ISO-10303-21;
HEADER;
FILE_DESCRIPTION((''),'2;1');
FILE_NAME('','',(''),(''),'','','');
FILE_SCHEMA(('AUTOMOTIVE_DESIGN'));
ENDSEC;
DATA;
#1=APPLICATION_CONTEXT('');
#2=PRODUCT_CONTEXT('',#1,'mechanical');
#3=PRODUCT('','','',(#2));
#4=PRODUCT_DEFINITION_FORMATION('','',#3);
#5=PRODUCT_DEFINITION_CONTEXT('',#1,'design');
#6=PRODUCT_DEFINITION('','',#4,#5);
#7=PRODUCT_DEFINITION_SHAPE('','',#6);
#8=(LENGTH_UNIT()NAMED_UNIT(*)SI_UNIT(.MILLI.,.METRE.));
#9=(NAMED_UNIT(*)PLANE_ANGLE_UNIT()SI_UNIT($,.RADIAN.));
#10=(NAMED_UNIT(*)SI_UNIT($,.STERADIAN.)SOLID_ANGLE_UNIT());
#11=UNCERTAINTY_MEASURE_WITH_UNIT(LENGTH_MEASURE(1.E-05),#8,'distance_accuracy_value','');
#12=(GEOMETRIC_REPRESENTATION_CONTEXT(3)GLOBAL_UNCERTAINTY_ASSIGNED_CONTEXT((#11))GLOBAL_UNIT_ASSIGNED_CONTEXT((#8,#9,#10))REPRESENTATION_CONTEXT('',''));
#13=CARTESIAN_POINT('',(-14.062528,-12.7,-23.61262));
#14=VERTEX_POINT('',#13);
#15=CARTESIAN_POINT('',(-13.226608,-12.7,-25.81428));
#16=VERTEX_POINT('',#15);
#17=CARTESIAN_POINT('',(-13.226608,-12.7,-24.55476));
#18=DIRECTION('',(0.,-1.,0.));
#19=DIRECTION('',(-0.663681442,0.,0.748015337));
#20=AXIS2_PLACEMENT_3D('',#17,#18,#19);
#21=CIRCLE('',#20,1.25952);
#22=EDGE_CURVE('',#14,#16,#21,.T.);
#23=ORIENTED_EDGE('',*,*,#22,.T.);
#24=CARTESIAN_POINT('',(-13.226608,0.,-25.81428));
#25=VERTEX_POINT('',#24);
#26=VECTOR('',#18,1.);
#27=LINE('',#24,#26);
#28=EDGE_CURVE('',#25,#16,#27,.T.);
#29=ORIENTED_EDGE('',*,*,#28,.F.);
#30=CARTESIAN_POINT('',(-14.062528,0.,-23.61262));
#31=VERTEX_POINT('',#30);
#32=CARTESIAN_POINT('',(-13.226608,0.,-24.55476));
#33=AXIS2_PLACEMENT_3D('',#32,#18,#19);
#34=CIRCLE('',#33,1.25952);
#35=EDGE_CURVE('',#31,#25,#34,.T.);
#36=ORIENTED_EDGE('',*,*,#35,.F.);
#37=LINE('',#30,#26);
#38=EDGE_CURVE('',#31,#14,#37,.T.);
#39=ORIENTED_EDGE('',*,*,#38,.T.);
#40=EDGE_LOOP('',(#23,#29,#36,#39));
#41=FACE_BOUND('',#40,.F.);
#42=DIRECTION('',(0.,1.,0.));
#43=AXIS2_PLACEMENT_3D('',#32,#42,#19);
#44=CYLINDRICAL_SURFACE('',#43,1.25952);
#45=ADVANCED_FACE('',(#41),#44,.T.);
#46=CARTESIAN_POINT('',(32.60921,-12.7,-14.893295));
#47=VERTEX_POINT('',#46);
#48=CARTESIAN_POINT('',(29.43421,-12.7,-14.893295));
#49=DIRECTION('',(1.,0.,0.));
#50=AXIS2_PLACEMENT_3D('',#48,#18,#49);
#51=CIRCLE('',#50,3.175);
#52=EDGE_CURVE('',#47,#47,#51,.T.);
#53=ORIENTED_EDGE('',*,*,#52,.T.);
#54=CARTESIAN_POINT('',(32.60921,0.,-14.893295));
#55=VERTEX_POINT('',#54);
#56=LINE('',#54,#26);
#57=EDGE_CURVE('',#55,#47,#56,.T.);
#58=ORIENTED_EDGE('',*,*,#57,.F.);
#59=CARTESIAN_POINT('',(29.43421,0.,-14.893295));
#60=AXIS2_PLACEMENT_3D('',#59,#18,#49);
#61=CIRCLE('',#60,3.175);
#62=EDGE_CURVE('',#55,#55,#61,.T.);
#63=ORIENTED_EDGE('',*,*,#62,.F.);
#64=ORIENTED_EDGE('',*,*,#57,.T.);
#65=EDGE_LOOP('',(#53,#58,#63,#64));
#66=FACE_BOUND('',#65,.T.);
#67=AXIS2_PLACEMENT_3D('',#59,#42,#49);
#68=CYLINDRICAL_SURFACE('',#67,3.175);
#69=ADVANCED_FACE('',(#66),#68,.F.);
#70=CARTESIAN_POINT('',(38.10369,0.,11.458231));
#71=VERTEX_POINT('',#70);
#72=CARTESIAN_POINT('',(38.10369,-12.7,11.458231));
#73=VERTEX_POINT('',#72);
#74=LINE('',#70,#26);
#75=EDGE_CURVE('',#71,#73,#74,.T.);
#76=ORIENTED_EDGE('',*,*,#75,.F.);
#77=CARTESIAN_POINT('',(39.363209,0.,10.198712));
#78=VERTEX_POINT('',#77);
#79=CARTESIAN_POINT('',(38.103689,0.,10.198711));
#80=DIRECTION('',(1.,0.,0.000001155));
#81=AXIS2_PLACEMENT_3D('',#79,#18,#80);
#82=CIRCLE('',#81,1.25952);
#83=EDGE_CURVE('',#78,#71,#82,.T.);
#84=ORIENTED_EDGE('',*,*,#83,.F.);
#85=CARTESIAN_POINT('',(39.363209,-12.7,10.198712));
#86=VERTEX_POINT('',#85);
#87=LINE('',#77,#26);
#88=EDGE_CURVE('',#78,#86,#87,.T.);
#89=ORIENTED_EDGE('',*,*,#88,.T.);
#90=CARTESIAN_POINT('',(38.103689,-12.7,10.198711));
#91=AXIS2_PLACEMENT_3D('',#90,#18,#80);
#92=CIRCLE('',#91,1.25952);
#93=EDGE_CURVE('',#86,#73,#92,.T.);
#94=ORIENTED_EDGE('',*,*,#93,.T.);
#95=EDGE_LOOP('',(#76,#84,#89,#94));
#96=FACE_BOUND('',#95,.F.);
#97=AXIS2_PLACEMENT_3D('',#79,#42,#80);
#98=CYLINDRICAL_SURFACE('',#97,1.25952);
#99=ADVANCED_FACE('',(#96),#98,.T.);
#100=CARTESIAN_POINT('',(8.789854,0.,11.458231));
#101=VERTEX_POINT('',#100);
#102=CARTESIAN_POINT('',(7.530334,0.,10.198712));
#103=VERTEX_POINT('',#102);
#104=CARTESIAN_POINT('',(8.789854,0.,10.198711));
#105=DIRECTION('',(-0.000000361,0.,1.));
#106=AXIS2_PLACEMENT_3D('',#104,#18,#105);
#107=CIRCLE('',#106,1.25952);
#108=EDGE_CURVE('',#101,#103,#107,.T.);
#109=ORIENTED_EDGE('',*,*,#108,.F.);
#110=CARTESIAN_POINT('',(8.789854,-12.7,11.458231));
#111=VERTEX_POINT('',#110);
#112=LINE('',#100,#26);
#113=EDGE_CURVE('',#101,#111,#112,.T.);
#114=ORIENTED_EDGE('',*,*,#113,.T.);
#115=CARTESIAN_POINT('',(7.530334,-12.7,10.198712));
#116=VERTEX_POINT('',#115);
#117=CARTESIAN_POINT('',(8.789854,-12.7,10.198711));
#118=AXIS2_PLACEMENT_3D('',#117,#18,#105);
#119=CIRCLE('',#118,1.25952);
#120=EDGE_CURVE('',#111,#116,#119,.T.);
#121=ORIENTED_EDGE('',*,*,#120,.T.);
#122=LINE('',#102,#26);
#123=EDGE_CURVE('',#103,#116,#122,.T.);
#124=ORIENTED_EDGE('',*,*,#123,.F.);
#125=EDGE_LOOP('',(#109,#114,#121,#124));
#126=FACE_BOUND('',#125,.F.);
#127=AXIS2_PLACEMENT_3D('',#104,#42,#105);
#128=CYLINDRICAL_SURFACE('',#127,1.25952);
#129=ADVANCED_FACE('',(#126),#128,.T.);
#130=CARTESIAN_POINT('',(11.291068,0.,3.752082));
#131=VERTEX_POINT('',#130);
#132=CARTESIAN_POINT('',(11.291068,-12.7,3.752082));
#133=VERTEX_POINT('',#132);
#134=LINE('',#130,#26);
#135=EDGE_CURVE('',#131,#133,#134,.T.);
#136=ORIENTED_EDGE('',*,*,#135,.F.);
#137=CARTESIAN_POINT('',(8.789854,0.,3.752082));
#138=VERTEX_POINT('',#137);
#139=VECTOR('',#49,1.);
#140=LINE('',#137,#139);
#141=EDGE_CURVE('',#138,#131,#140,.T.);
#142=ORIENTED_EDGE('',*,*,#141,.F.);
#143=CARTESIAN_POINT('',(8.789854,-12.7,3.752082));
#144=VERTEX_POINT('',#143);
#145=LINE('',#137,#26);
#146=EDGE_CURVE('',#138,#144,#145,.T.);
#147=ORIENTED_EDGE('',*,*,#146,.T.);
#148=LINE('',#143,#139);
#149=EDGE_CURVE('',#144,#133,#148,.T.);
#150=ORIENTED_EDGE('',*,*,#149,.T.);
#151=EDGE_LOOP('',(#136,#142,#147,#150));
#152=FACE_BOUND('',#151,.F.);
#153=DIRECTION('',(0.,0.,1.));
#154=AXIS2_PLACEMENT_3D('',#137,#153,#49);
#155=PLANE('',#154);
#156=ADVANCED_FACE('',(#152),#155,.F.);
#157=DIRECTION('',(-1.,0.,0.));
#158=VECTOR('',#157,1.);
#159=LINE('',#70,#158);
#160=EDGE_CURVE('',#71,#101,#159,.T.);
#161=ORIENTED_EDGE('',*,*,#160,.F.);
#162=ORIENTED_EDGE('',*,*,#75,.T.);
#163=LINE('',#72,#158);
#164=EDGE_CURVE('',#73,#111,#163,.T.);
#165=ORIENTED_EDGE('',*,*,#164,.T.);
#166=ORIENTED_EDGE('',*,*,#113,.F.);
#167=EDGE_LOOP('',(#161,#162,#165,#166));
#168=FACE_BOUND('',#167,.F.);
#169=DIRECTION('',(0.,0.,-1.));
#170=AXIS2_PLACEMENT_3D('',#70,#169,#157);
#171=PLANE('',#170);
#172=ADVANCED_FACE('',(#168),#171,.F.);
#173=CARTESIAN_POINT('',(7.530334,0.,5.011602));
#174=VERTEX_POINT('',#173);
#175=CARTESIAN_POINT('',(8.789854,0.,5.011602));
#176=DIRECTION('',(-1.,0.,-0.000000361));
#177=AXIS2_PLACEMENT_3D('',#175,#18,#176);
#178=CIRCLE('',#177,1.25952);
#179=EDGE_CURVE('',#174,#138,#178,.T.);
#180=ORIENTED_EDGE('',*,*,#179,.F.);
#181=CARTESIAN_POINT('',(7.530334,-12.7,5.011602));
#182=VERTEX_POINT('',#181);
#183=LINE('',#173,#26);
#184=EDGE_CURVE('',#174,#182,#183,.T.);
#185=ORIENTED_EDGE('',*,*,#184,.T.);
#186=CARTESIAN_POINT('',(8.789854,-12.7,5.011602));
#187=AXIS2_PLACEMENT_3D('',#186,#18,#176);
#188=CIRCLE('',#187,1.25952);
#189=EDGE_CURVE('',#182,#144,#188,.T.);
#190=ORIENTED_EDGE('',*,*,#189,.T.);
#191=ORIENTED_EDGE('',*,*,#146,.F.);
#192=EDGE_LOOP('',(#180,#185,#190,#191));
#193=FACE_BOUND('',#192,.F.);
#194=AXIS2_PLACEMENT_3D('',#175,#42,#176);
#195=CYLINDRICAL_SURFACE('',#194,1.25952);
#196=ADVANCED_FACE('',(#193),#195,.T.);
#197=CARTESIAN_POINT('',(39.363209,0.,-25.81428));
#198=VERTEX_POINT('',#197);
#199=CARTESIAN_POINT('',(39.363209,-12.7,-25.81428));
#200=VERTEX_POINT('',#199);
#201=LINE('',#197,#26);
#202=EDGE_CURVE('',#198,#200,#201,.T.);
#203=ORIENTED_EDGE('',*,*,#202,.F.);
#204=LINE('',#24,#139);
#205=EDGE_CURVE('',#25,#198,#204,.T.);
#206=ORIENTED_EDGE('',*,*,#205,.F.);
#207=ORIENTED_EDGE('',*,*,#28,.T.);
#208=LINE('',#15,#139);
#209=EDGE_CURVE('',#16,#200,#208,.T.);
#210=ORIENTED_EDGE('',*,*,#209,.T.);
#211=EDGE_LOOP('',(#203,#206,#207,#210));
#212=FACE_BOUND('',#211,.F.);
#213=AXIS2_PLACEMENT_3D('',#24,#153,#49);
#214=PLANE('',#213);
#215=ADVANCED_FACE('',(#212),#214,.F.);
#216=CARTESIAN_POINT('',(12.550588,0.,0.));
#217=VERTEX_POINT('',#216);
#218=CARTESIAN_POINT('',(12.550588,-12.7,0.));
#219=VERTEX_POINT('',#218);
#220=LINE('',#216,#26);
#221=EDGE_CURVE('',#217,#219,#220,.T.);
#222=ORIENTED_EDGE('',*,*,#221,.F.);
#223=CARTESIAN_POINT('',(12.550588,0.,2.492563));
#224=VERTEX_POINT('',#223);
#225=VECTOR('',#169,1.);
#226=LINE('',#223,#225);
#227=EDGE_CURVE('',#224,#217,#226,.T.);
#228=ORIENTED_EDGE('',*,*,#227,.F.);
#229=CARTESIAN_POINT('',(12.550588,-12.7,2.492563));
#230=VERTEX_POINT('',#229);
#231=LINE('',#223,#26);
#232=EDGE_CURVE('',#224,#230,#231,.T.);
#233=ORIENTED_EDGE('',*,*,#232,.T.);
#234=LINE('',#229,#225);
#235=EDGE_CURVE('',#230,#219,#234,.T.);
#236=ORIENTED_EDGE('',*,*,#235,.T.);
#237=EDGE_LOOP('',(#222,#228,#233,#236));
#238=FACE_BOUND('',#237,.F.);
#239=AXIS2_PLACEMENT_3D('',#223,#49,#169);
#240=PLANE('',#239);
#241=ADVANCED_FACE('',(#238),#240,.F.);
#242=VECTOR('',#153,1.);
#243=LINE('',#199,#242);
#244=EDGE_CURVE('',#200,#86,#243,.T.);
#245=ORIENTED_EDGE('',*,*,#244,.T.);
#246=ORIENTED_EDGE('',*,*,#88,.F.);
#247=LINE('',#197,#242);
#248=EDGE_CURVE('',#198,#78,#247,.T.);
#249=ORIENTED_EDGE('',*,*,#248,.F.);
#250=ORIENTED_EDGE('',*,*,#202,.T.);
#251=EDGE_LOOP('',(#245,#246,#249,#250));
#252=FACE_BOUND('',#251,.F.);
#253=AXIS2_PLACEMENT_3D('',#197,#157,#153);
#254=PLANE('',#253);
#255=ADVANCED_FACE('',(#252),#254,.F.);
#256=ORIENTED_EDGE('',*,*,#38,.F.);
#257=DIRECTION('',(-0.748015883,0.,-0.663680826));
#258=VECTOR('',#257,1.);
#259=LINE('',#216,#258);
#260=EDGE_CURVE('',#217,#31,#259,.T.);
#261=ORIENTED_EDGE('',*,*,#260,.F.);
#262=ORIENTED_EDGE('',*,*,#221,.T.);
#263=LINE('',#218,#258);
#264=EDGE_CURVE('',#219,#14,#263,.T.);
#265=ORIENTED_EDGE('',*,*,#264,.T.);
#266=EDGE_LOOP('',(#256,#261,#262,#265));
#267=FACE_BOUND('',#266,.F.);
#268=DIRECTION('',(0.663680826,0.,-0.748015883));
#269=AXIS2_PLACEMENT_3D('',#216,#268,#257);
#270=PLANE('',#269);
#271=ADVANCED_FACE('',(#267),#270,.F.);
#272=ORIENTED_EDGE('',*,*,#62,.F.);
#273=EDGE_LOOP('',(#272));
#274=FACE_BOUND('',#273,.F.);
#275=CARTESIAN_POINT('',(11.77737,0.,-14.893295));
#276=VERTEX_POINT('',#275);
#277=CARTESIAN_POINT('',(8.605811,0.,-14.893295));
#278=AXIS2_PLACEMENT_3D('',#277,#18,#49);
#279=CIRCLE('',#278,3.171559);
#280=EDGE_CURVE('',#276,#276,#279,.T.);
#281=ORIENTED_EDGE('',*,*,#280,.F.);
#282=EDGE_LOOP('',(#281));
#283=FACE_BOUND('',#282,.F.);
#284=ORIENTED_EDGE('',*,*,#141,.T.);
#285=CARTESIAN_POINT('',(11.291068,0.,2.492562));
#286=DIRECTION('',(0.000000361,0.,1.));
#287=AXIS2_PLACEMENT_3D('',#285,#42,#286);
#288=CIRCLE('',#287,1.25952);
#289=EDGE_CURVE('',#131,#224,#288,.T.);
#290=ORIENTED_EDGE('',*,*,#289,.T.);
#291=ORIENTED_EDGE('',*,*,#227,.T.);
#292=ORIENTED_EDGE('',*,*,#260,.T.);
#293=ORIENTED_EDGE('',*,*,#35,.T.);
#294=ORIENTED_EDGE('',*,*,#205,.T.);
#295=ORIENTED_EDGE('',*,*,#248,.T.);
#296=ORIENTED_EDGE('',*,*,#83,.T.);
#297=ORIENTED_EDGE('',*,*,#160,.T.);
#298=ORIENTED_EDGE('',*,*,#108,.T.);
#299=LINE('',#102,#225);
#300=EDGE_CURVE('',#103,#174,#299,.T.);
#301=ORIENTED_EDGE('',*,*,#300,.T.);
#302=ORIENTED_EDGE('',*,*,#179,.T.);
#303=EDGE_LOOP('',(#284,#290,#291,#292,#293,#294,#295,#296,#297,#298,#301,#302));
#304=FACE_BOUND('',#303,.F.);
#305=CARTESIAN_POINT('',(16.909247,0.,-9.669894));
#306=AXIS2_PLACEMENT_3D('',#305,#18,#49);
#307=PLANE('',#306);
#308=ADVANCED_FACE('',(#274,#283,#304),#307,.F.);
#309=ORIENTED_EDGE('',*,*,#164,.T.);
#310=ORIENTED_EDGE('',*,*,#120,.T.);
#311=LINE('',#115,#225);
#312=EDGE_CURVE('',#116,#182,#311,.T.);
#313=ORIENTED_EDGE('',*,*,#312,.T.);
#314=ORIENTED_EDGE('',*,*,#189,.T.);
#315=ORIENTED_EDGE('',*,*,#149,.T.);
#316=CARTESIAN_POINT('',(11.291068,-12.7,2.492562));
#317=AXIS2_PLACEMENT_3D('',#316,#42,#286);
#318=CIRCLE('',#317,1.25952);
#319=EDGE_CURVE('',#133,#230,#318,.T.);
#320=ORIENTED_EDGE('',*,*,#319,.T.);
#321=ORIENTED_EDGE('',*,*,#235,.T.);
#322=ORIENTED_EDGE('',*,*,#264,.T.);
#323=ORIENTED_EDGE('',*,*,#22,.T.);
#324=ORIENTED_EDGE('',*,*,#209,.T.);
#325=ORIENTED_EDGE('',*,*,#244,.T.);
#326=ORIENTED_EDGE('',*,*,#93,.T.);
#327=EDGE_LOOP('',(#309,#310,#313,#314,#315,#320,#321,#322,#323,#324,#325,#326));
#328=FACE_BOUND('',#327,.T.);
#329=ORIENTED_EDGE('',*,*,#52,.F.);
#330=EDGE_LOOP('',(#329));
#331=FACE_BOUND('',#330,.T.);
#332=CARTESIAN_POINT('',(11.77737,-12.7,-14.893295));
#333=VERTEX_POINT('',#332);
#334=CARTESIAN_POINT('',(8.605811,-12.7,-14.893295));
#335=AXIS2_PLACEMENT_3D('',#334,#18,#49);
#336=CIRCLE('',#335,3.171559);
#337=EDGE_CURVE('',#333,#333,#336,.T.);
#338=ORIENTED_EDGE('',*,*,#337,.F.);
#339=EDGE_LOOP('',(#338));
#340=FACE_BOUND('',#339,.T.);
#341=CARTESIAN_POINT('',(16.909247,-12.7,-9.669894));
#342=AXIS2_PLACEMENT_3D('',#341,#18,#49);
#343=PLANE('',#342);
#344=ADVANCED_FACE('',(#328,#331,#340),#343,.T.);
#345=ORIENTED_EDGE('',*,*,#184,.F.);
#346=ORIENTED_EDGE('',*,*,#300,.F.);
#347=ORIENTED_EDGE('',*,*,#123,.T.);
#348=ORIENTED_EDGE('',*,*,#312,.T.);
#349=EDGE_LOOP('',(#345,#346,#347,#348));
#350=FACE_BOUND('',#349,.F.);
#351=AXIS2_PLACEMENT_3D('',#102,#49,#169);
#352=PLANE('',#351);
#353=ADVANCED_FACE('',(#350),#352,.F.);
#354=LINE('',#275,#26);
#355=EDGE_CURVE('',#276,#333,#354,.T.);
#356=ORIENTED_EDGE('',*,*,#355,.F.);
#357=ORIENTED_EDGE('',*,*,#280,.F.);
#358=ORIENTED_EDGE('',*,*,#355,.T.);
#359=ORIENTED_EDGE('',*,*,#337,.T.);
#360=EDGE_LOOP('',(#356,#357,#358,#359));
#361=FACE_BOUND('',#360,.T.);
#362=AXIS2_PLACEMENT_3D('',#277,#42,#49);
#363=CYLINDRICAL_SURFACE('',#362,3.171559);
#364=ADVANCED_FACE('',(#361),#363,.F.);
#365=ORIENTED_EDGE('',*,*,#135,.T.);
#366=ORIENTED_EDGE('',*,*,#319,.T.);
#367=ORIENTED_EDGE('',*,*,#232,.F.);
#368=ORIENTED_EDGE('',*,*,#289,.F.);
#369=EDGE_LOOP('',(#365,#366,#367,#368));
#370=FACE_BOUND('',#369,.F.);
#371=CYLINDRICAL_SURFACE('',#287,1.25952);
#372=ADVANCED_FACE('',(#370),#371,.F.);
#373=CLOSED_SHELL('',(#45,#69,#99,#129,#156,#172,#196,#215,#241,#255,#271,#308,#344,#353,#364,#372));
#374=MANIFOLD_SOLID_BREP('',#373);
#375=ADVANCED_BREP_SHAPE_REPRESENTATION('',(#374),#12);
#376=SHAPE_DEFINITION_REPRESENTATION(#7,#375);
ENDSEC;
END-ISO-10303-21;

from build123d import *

# Parameters (mm, degrees)
F0_R     = 3.171559
F0_R_2   = 3.175
F1_DEPTH = 12.7


with BuildPart() as f1:
    # F0 (on Front) → F1 (new body)
    with BuildSketch(Plane.XZ):
        with BuildLine():
            ThreePointArc((-14.062528, -23.61262), (-14.404113, -25.001831), (-13.226608, -25.81428))
            Line((-13.226608, -25.81428), (39.363209, -25.81428))
            Line((39.363209, -25.81428), (39.363209, 10.198712))
            ThreePointArc((39.363209, 10.198712), (38.994304, 11.089326), (38.10369, 11.458231))
            Line((38.10369, 11.458231), (8.789854, 11.458231))
            ThreePointArc((8.789854, 11.458231), (7.899239, 11.089326), (7.530334, 10.198712))
            Line((7.530334, 10.198712), (7.530334, 5.011602))
            ThreePointArc((7.530334, 5.011602), (7.899239, 4.120987), (8.789854, 3.752082))
            Line((8.789854, 3.752082), (11.291068, 3.752082))
            ThreePointArc((11.291068, 3.752082), (12.181683, 3.383177), (12.550588, 2.492563))
            Line((12.550588, 2.492563), (12.550588, 0))
            Line((12.550588, 0), (-14.062528, -23.61262))
        make_face()
        with Locations((8.605811, -14.893295)):
            Circle(F0_R, mode=Mode.SUBTRACT)
        with Locations((29.43421, -14.893295)):
            Circle(F0_R_2, mode=Mode.SUBTRACT)
    extrude(amount=F1_DEPTH)


solid = f1.part
